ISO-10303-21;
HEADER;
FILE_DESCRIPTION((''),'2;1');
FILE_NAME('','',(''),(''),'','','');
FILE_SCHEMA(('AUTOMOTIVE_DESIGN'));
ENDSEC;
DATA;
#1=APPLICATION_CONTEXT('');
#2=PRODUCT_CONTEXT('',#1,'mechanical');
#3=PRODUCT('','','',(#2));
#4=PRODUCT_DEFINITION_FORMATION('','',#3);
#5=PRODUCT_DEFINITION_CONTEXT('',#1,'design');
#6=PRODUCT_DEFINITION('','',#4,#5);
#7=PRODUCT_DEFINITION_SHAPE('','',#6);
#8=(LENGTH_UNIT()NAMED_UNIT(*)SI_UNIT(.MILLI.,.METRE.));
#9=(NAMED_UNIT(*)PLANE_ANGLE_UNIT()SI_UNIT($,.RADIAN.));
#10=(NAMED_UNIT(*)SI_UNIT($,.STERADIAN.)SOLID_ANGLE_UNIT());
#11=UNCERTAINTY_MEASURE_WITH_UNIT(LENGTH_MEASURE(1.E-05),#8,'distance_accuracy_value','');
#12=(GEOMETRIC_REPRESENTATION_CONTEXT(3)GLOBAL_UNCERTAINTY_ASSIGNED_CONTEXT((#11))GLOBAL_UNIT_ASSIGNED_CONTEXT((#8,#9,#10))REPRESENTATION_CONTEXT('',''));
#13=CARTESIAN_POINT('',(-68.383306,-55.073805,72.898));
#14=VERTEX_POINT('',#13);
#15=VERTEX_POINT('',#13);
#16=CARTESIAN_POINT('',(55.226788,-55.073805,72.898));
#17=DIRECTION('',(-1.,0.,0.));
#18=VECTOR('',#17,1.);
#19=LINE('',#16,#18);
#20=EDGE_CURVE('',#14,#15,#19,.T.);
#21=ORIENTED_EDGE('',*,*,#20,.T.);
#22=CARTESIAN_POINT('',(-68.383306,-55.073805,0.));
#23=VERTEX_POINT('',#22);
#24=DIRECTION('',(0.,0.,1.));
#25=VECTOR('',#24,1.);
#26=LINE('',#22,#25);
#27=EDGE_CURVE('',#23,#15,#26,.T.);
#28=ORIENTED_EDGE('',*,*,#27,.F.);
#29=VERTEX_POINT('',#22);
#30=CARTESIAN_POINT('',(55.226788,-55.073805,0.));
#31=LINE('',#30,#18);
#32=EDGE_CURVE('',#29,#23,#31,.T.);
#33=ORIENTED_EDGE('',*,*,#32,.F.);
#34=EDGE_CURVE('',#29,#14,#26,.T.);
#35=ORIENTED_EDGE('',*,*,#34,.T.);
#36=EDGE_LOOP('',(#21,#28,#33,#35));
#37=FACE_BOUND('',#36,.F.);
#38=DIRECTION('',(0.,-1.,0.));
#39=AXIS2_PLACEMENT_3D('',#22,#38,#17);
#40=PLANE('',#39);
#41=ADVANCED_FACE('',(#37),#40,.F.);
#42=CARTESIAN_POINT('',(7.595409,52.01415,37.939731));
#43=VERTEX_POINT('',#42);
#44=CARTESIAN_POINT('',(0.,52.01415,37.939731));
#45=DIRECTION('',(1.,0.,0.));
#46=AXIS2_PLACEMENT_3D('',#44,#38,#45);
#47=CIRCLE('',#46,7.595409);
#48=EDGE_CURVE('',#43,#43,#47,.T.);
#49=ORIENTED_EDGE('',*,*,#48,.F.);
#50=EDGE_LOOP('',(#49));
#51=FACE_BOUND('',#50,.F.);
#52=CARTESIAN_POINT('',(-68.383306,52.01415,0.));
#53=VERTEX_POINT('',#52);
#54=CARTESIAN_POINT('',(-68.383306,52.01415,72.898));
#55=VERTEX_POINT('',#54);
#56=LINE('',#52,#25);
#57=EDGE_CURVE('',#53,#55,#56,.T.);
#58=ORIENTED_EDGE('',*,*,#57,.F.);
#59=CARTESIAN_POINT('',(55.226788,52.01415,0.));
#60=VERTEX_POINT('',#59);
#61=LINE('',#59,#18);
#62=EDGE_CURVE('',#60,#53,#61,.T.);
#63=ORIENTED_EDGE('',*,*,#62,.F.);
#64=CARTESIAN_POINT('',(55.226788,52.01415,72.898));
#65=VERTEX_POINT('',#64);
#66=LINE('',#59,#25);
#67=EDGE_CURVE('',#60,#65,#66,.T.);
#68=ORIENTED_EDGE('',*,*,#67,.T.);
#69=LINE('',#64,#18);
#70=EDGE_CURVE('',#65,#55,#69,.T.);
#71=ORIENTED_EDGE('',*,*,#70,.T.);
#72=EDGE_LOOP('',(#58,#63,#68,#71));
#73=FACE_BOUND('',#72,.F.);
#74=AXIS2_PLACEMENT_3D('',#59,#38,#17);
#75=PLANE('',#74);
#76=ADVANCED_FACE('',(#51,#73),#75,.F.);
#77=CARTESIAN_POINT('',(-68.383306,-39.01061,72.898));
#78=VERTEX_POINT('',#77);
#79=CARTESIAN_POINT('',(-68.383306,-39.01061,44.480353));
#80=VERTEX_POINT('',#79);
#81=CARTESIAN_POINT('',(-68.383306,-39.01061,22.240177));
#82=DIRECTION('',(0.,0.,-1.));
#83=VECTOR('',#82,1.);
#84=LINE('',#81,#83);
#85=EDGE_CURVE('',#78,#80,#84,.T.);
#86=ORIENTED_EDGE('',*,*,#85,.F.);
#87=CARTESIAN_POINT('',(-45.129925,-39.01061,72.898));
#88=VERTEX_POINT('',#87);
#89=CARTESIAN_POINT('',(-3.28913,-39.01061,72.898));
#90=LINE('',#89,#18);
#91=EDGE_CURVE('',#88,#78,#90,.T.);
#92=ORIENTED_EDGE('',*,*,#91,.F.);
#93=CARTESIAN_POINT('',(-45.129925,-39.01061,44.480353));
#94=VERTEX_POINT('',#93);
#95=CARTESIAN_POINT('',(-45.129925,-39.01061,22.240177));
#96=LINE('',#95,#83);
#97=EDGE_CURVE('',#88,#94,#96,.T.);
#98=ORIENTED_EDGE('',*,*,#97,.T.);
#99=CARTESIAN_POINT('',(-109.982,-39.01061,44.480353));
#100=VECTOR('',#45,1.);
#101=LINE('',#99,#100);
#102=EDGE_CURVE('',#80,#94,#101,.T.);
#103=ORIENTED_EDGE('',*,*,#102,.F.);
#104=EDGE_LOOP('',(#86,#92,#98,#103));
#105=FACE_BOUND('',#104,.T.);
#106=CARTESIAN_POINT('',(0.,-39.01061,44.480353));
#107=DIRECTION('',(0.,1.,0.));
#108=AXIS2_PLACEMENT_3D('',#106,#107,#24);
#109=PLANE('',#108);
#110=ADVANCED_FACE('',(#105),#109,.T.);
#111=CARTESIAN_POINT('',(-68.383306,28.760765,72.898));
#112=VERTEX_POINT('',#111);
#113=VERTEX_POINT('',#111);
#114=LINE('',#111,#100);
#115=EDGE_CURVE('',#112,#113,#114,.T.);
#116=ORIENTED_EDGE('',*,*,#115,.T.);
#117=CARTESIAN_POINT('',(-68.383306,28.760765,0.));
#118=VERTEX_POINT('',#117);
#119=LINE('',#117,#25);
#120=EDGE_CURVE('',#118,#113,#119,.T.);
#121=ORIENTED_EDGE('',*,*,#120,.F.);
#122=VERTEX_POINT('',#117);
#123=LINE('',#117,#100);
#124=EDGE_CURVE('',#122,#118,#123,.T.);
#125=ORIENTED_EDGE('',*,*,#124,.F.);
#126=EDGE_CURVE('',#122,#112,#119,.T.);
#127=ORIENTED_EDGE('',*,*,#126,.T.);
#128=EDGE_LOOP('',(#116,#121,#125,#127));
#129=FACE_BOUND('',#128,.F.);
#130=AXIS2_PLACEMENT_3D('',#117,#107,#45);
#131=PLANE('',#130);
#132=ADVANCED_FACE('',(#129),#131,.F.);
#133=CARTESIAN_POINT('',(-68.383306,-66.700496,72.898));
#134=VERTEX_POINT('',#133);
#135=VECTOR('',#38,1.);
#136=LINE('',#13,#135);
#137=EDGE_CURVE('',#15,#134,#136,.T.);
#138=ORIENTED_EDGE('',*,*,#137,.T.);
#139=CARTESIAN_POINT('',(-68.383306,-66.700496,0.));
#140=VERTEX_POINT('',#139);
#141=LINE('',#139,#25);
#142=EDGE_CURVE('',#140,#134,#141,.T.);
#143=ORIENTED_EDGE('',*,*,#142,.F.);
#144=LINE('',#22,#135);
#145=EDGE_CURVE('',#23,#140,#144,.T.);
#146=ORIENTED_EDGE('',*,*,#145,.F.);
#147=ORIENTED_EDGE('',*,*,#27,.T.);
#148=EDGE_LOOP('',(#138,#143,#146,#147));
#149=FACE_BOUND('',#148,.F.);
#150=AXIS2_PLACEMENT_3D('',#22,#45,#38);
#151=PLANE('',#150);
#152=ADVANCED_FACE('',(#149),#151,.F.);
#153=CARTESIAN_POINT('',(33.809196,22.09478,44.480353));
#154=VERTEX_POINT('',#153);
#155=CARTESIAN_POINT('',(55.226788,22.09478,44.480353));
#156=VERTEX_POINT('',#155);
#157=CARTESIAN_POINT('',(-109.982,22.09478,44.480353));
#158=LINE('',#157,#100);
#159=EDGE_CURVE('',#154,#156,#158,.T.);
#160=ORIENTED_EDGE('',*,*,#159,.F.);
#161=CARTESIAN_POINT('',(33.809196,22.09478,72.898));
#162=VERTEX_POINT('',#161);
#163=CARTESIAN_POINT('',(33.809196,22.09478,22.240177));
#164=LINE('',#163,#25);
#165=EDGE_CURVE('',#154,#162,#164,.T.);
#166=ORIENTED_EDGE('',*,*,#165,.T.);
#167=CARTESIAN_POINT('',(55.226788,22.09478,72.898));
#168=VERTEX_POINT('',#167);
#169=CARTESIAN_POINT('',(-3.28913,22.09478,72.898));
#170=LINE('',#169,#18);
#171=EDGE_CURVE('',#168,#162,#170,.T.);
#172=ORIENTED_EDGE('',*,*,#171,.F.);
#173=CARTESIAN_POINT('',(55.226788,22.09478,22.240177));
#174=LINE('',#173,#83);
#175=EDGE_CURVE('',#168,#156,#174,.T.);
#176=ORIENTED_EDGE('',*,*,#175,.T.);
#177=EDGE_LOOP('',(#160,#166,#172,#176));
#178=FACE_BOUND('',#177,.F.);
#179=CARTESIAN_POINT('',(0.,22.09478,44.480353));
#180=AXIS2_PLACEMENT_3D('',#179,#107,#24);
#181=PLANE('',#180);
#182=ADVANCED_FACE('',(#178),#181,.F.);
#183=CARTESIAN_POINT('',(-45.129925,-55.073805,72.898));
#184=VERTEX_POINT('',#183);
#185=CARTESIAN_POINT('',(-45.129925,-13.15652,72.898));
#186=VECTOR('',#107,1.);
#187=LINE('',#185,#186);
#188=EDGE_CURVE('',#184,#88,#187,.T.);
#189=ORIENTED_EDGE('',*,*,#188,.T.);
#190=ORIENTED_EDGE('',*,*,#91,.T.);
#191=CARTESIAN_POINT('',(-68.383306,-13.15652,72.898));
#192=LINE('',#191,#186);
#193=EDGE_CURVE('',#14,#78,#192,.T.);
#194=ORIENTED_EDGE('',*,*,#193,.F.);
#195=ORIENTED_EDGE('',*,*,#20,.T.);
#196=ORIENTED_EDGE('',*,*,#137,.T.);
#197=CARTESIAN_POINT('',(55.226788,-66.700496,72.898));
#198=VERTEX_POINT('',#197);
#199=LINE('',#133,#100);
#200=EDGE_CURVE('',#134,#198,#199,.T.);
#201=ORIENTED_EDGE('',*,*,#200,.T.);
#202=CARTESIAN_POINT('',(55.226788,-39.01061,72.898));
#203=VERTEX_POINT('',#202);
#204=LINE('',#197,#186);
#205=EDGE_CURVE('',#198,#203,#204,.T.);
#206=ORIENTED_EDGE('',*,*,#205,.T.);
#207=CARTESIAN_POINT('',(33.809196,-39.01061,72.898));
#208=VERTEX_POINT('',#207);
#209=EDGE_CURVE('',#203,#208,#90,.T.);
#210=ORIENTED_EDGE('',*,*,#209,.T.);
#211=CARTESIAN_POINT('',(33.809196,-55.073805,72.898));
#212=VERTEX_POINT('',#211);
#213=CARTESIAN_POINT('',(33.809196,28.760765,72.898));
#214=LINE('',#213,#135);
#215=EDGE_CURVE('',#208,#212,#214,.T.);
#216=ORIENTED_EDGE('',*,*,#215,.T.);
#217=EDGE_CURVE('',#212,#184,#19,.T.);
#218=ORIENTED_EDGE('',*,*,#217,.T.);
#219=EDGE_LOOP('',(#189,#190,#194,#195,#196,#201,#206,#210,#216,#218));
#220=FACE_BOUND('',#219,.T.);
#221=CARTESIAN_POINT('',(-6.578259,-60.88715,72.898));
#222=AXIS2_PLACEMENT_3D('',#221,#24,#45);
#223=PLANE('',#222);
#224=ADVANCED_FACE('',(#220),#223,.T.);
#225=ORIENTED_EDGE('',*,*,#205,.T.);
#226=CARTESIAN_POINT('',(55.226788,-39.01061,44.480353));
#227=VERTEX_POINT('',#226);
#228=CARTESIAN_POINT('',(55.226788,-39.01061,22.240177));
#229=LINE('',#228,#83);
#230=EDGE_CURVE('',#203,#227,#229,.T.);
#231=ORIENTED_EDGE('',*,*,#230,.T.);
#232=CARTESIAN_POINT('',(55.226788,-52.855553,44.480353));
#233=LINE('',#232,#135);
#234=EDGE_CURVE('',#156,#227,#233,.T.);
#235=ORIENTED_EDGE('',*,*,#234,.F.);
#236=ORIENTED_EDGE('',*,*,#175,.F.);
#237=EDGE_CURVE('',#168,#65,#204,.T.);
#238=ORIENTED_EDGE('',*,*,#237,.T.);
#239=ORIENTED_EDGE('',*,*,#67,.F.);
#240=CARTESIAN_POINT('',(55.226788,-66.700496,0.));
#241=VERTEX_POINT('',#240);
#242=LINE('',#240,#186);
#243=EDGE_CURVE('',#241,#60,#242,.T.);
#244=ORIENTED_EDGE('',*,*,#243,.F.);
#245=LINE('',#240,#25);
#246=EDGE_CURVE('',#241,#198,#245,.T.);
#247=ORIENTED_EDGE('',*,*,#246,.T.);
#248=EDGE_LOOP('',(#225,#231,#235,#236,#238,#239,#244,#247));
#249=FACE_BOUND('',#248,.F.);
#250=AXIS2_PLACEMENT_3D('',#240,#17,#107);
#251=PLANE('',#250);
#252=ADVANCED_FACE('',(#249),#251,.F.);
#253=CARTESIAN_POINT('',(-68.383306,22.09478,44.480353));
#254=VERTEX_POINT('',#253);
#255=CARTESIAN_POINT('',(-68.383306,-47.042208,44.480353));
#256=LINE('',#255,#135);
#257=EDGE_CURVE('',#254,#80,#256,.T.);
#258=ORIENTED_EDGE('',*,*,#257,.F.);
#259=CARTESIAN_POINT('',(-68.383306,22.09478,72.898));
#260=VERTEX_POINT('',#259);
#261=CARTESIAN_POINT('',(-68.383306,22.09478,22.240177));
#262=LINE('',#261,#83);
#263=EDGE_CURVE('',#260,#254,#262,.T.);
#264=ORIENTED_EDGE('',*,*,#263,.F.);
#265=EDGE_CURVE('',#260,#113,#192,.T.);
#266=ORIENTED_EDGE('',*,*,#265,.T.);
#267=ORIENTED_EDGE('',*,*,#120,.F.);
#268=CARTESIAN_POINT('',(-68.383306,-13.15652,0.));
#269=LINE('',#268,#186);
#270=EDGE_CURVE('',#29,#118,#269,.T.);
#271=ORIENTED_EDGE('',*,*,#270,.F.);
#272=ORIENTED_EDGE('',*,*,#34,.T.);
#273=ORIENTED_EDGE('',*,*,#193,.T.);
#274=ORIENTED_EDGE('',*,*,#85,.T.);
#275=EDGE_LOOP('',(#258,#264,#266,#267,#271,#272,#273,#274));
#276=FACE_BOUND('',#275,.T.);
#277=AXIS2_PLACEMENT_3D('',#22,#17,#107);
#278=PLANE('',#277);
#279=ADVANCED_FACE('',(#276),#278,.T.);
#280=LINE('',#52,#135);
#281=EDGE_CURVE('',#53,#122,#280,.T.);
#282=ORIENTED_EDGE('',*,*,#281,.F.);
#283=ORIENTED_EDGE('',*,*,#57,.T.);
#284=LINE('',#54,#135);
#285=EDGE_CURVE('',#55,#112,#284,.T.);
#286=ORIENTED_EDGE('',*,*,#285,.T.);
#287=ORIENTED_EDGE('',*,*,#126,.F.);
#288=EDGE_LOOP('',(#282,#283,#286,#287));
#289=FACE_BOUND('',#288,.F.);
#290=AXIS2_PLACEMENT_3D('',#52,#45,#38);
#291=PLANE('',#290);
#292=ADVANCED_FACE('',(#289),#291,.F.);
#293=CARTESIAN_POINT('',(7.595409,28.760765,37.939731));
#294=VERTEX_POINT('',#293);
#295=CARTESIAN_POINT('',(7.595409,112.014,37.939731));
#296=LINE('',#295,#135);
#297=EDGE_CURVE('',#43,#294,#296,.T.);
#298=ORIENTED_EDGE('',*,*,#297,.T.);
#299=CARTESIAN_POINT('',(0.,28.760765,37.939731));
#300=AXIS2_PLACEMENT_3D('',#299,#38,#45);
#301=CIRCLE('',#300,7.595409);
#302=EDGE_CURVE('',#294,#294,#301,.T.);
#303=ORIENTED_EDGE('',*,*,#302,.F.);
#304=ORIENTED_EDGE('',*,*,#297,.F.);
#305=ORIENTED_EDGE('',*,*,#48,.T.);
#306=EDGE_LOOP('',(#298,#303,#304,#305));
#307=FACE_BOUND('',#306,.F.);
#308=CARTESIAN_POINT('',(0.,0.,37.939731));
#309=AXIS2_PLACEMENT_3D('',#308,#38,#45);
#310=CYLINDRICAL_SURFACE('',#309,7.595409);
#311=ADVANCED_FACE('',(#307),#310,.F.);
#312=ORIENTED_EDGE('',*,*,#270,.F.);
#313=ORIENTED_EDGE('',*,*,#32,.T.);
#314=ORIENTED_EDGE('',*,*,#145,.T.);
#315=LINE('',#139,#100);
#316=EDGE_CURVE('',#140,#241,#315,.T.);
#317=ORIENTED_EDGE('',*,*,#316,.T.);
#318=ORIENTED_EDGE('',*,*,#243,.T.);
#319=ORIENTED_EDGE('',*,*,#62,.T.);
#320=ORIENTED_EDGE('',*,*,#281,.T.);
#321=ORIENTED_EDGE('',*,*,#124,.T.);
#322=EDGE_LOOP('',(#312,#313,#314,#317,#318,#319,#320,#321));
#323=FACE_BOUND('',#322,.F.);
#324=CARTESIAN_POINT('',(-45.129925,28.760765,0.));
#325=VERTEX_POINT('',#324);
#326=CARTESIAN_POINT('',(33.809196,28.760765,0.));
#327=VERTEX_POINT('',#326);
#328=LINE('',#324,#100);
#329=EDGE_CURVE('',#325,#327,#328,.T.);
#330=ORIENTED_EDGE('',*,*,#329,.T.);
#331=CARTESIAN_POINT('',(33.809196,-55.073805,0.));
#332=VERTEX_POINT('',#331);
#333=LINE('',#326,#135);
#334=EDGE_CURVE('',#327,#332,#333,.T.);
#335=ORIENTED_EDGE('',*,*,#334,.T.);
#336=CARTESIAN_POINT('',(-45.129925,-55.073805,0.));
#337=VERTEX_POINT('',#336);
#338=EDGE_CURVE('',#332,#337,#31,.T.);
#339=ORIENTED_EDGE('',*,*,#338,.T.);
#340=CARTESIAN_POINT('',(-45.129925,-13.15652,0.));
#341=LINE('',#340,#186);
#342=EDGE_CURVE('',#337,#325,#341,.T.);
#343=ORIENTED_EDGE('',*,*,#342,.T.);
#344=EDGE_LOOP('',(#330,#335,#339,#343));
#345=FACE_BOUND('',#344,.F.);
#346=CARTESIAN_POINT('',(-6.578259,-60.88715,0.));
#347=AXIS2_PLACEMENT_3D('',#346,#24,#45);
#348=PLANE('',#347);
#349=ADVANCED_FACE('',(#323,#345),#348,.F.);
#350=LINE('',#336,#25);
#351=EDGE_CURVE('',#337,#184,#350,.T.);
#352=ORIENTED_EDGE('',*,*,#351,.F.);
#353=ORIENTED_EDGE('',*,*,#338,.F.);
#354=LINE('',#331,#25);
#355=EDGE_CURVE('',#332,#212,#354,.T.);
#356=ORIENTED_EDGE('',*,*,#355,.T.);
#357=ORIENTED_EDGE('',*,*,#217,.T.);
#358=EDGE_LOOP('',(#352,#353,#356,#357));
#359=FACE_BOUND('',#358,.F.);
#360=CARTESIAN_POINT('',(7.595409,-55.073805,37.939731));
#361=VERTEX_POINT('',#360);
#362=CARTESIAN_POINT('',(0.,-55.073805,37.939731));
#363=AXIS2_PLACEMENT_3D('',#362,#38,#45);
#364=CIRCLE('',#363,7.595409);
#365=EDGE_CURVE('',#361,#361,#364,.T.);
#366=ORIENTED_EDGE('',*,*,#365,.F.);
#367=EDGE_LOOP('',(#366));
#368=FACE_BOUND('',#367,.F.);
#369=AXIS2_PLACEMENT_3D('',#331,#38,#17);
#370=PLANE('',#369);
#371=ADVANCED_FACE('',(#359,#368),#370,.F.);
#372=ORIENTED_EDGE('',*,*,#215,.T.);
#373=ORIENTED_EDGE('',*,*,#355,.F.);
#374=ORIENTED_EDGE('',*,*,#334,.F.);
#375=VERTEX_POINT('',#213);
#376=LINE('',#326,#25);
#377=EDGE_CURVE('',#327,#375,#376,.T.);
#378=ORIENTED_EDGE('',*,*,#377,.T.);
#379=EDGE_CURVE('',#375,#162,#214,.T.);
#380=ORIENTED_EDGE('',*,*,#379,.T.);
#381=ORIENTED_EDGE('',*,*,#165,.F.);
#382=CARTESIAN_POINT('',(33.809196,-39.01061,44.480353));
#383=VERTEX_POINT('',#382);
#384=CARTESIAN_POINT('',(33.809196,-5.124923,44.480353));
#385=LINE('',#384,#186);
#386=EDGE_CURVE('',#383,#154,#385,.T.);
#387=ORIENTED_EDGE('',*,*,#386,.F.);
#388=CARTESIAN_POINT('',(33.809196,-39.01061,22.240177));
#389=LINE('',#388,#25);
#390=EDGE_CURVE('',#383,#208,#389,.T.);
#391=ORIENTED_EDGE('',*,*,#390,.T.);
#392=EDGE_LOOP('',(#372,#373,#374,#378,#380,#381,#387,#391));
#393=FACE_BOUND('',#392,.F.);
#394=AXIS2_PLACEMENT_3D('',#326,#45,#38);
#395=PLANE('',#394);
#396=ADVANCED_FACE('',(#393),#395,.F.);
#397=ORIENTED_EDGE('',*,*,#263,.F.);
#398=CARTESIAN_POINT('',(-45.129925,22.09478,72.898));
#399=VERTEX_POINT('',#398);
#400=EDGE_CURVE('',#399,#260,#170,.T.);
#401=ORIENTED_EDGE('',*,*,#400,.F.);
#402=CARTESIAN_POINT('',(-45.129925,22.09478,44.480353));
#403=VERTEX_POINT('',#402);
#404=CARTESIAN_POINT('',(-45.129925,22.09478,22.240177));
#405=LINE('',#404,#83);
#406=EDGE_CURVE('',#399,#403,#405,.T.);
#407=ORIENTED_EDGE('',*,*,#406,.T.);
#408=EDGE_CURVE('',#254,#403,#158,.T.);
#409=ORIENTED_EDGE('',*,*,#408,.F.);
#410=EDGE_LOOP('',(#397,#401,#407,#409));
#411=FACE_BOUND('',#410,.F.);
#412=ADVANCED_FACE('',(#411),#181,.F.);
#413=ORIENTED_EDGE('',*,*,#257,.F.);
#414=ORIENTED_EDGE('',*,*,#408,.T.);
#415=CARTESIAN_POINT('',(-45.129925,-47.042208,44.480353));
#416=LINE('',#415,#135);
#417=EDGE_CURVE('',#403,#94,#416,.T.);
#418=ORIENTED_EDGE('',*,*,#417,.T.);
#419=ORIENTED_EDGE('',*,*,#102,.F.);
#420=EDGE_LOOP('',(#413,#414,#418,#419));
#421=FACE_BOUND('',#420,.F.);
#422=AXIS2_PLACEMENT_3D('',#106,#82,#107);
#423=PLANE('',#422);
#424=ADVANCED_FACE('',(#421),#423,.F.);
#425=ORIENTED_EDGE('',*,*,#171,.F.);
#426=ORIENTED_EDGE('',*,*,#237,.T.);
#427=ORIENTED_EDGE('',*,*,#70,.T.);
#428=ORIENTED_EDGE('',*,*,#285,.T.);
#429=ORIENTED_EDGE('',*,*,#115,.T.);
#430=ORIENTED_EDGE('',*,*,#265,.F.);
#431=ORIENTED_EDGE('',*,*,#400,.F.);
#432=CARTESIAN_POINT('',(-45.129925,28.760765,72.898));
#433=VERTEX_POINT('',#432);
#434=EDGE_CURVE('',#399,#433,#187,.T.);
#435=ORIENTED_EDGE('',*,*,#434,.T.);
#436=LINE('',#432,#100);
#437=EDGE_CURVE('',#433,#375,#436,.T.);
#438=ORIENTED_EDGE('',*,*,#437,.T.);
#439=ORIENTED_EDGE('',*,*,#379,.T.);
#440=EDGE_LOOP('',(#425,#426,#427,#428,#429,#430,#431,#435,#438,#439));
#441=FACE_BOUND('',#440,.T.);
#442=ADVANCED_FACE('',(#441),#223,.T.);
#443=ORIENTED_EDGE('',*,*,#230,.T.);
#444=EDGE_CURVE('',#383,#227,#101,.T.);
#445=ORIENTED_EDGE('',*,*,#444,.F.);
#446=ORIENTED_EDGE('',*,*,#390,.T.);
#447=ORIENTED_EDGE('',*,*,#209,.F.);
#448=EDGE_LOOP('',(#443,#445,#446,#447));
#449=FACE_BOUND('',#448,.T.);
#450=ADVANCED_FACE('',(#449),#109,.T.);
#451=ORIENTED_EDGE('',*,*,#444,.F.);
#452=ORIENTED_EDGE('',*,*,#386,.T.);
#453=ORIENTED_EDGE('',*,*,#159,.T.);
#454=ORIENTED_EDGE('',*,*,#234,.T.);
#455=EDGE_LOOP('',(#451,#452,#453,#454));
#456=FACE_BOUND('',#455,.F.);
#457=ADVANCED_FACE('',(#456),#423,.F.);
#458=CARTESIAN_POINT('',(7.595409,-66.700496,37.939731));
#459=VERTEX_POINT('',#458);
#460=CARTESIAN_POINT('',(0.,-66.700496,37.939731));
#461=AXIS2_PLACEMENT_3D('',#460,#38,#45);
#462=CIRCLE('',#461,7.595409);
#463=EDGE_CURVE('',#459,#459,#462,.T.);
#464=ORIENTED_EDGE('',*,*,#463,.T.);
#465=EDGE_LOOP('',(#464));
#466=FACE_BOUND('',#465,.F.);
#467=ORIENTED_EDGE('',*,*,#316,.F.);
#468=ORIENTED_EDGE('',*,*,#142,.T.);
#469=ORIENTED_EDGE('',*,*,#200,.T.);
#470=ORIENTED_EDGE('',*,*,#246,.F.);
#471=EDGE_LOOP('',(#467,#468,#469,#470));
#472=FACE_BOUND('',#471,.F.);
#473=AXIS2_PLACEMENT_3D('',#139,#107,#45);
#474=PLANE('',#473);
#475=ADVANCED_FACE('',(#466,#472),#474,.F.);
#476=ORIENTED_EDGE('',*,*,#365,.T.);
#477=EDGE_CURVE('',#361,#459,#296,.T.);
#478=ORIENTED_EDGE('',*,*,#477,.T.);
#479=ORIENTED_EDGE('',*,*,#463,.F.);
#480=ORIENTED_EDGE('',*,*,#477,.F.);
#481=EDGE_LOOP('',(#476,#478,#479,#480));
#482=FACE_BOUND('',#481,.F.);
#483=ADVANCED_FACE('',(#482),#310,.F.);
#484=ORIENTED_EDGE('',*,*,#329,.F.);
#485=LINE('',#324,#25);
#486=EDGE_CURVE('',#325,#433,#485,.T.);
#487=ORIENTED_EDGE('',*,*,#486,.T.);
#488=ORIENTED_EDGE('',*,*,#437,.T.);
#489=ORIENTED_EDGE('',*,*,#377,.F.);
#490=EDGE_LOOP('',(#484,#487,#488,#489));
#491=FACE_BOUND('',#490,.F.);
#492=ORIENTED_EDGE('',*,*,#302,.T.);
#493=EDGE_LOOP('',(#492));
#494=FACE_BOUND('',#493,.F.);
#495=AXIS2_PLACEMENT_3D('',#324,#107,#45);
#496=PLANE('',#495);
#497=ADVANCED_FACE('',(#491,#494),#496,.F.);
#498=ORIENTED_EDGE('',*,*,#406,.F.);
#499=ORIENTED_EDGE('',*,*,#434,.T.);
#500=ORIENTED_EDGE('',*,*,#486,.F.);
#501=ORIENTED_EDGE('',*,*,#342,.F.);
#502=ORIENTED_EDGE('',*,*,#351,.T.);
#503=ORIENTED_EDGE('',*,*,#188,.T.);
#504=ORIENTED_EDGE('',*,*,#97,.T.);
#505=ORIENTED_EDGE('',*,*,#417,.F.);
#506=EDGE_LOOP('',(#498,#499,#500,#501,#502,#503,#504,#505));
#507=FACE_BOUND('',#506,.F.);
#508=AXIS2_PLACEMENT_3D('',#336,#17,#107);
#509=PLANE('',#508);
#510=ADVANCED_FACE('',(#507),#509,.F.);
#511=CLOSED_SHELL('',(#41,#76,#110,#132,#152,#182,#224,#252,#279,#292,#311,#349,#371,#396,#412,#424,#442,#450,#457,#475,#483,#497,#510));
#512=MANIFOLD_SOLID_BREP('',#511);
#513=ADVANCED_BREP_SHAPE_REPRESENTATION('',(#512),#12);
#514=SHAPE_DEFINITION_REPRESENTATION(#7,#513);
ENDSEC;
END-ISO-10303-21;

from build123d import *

# Parameters (mm, degrees)
F0_W     = 23.253381
F0_H     = 83.83457
F1_DEPTH = 72.898
F2_R     = 7.595409
F3_DEPTH = 112.014
F4_W     = 61.105391
F4_H     = 29.362335
F5_DEPTH = 109.982


with BuildPart() as f1:
    # F0 (on Top) → F1 (new body)
    with BuildSketch(Plane.XY):
        Polygon((-68.383306, -55.073805), (-68.383306, -66.700496), (55.226788, -66.700496), (55.226788, -55.073805), (33.809196, -55.073805), (-45.129925, -55.073805), align=None)
        with Locations((-56.756615, -13.15652)):
            Rectangle(F0_W, F0_H)
        Polygon((-68.383306, 52.01415), (-68.383306, 28.760765), (-45.129925, 28.760765), (33.809196, 28.760765), (33.809196, 52.01415), align=None)
        Polygon((33.809196, -55.073805), (55.226788, -55.073805), (55.226788, 52.01415), (33.809196, 52.01415), (33.809196, 28.760765), align=None)
    extrude(amount=F1_DEPTH)

    # F2 (on Front) → F3 (cut, symmetric)
    with BuildSketch(Plane.XZ):
        with Locations((0, 37.939731)):
            Circle(F2_R)
    extrude(amount=F3_DEPTH, both=True, mode=Mode.SUBTRACT)

    # F4 (on Right) → F5 (cut, symmetric)
    with BuildSketch(Plane.YZ):
        with Locations((-8.457915, 59.161521)):
            Rectangle(F4_W, F4_H)
    extrude(amount=F5_DEPTH, both=True, mode=Mode.SUBTRACT)


solid = f1.part
